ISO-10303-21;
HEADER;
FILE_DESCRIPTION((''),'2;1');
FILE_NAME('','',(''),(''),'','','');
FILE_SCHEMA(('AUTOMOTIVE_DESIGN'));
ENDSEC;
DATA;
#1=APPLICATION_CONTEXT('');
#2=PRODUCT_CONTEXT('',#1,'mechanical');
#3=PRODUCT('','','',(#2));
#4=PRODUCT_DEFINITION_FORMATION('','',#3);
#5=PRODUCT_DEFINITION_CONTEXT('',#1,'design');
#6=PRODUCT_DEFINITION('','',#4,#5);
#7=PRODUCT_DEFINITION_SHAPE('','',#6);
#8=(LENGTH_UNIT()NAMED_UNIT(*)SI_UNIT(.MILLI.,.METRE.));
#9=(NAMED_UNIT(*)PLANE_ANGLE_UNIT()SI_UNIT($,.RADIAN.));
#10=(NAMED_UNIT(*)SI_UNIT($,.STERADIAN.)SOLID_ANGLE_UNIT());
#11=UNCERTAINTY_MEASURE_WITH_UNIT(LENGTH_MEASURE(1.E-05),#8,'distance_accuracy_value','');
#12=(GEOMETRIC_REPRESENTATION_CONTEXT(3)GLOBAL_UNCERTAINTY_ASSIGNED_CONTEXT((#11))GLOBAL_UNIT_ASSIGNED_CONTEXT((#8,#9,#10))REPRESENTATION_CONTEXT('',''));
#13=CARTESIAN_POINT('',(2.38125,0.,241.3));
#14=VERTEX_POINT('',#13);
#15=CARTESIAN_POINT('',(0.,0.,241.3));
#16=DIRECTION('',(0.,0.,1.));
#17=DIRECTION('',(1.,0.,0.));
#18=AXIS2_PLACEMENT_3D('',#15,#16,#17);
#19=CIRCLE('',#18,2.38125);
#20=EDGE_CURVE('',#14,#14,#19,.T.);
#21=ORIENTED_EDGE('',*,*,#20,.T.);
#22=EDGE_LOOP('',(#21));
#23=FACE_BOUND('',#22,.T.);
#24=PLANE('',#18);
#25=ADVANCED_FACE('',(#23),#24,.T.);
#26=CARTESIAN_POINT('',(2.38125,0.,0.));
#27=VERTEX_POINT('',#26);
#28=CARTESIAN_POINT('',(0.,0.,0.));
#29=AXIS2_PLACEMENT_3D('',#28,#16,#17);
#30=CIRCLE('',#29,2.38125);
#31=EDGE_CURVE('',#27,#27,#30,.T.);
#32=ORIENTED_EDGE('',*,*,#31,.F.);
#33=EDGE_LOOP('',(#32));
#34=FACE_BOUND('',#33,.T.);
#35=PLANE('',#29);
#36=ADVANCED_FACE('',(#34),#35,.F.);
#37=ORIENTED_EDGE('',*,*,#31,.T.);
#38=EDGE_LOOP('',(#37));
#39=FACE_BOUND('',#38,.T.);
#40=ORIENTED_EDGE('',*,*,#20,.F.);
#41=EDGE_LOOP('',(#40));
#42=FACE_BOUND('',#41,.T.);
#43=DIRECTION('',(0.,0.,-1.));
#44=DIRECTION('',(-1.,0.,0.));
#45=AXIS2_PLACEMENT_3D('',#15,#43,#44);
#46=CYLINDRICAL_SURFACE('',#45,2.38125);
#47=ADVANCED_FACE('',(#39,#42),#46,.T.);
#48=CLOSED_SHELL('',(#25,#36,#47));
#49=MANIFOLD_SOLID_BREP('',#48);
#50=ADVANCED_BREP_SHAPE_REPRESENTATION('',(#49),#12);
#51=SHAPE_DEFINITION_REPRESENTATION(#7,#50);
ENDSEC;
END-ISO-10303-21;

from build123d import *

# Parameters (mm, degrees)
SKETCH1_R           = 2.38125
BOSS_EXTRUDE1_DEPTH = 241.3


with BuildPart() as part:
    # Sketch1 → Boss-Extrude1 (new body)
    with BuildSketch(Plane.XY):
        Circle(SKETCH1_R)
    extrude(amount=BOSS_EXTRUDE1_DEPTH)


solid = part.part
